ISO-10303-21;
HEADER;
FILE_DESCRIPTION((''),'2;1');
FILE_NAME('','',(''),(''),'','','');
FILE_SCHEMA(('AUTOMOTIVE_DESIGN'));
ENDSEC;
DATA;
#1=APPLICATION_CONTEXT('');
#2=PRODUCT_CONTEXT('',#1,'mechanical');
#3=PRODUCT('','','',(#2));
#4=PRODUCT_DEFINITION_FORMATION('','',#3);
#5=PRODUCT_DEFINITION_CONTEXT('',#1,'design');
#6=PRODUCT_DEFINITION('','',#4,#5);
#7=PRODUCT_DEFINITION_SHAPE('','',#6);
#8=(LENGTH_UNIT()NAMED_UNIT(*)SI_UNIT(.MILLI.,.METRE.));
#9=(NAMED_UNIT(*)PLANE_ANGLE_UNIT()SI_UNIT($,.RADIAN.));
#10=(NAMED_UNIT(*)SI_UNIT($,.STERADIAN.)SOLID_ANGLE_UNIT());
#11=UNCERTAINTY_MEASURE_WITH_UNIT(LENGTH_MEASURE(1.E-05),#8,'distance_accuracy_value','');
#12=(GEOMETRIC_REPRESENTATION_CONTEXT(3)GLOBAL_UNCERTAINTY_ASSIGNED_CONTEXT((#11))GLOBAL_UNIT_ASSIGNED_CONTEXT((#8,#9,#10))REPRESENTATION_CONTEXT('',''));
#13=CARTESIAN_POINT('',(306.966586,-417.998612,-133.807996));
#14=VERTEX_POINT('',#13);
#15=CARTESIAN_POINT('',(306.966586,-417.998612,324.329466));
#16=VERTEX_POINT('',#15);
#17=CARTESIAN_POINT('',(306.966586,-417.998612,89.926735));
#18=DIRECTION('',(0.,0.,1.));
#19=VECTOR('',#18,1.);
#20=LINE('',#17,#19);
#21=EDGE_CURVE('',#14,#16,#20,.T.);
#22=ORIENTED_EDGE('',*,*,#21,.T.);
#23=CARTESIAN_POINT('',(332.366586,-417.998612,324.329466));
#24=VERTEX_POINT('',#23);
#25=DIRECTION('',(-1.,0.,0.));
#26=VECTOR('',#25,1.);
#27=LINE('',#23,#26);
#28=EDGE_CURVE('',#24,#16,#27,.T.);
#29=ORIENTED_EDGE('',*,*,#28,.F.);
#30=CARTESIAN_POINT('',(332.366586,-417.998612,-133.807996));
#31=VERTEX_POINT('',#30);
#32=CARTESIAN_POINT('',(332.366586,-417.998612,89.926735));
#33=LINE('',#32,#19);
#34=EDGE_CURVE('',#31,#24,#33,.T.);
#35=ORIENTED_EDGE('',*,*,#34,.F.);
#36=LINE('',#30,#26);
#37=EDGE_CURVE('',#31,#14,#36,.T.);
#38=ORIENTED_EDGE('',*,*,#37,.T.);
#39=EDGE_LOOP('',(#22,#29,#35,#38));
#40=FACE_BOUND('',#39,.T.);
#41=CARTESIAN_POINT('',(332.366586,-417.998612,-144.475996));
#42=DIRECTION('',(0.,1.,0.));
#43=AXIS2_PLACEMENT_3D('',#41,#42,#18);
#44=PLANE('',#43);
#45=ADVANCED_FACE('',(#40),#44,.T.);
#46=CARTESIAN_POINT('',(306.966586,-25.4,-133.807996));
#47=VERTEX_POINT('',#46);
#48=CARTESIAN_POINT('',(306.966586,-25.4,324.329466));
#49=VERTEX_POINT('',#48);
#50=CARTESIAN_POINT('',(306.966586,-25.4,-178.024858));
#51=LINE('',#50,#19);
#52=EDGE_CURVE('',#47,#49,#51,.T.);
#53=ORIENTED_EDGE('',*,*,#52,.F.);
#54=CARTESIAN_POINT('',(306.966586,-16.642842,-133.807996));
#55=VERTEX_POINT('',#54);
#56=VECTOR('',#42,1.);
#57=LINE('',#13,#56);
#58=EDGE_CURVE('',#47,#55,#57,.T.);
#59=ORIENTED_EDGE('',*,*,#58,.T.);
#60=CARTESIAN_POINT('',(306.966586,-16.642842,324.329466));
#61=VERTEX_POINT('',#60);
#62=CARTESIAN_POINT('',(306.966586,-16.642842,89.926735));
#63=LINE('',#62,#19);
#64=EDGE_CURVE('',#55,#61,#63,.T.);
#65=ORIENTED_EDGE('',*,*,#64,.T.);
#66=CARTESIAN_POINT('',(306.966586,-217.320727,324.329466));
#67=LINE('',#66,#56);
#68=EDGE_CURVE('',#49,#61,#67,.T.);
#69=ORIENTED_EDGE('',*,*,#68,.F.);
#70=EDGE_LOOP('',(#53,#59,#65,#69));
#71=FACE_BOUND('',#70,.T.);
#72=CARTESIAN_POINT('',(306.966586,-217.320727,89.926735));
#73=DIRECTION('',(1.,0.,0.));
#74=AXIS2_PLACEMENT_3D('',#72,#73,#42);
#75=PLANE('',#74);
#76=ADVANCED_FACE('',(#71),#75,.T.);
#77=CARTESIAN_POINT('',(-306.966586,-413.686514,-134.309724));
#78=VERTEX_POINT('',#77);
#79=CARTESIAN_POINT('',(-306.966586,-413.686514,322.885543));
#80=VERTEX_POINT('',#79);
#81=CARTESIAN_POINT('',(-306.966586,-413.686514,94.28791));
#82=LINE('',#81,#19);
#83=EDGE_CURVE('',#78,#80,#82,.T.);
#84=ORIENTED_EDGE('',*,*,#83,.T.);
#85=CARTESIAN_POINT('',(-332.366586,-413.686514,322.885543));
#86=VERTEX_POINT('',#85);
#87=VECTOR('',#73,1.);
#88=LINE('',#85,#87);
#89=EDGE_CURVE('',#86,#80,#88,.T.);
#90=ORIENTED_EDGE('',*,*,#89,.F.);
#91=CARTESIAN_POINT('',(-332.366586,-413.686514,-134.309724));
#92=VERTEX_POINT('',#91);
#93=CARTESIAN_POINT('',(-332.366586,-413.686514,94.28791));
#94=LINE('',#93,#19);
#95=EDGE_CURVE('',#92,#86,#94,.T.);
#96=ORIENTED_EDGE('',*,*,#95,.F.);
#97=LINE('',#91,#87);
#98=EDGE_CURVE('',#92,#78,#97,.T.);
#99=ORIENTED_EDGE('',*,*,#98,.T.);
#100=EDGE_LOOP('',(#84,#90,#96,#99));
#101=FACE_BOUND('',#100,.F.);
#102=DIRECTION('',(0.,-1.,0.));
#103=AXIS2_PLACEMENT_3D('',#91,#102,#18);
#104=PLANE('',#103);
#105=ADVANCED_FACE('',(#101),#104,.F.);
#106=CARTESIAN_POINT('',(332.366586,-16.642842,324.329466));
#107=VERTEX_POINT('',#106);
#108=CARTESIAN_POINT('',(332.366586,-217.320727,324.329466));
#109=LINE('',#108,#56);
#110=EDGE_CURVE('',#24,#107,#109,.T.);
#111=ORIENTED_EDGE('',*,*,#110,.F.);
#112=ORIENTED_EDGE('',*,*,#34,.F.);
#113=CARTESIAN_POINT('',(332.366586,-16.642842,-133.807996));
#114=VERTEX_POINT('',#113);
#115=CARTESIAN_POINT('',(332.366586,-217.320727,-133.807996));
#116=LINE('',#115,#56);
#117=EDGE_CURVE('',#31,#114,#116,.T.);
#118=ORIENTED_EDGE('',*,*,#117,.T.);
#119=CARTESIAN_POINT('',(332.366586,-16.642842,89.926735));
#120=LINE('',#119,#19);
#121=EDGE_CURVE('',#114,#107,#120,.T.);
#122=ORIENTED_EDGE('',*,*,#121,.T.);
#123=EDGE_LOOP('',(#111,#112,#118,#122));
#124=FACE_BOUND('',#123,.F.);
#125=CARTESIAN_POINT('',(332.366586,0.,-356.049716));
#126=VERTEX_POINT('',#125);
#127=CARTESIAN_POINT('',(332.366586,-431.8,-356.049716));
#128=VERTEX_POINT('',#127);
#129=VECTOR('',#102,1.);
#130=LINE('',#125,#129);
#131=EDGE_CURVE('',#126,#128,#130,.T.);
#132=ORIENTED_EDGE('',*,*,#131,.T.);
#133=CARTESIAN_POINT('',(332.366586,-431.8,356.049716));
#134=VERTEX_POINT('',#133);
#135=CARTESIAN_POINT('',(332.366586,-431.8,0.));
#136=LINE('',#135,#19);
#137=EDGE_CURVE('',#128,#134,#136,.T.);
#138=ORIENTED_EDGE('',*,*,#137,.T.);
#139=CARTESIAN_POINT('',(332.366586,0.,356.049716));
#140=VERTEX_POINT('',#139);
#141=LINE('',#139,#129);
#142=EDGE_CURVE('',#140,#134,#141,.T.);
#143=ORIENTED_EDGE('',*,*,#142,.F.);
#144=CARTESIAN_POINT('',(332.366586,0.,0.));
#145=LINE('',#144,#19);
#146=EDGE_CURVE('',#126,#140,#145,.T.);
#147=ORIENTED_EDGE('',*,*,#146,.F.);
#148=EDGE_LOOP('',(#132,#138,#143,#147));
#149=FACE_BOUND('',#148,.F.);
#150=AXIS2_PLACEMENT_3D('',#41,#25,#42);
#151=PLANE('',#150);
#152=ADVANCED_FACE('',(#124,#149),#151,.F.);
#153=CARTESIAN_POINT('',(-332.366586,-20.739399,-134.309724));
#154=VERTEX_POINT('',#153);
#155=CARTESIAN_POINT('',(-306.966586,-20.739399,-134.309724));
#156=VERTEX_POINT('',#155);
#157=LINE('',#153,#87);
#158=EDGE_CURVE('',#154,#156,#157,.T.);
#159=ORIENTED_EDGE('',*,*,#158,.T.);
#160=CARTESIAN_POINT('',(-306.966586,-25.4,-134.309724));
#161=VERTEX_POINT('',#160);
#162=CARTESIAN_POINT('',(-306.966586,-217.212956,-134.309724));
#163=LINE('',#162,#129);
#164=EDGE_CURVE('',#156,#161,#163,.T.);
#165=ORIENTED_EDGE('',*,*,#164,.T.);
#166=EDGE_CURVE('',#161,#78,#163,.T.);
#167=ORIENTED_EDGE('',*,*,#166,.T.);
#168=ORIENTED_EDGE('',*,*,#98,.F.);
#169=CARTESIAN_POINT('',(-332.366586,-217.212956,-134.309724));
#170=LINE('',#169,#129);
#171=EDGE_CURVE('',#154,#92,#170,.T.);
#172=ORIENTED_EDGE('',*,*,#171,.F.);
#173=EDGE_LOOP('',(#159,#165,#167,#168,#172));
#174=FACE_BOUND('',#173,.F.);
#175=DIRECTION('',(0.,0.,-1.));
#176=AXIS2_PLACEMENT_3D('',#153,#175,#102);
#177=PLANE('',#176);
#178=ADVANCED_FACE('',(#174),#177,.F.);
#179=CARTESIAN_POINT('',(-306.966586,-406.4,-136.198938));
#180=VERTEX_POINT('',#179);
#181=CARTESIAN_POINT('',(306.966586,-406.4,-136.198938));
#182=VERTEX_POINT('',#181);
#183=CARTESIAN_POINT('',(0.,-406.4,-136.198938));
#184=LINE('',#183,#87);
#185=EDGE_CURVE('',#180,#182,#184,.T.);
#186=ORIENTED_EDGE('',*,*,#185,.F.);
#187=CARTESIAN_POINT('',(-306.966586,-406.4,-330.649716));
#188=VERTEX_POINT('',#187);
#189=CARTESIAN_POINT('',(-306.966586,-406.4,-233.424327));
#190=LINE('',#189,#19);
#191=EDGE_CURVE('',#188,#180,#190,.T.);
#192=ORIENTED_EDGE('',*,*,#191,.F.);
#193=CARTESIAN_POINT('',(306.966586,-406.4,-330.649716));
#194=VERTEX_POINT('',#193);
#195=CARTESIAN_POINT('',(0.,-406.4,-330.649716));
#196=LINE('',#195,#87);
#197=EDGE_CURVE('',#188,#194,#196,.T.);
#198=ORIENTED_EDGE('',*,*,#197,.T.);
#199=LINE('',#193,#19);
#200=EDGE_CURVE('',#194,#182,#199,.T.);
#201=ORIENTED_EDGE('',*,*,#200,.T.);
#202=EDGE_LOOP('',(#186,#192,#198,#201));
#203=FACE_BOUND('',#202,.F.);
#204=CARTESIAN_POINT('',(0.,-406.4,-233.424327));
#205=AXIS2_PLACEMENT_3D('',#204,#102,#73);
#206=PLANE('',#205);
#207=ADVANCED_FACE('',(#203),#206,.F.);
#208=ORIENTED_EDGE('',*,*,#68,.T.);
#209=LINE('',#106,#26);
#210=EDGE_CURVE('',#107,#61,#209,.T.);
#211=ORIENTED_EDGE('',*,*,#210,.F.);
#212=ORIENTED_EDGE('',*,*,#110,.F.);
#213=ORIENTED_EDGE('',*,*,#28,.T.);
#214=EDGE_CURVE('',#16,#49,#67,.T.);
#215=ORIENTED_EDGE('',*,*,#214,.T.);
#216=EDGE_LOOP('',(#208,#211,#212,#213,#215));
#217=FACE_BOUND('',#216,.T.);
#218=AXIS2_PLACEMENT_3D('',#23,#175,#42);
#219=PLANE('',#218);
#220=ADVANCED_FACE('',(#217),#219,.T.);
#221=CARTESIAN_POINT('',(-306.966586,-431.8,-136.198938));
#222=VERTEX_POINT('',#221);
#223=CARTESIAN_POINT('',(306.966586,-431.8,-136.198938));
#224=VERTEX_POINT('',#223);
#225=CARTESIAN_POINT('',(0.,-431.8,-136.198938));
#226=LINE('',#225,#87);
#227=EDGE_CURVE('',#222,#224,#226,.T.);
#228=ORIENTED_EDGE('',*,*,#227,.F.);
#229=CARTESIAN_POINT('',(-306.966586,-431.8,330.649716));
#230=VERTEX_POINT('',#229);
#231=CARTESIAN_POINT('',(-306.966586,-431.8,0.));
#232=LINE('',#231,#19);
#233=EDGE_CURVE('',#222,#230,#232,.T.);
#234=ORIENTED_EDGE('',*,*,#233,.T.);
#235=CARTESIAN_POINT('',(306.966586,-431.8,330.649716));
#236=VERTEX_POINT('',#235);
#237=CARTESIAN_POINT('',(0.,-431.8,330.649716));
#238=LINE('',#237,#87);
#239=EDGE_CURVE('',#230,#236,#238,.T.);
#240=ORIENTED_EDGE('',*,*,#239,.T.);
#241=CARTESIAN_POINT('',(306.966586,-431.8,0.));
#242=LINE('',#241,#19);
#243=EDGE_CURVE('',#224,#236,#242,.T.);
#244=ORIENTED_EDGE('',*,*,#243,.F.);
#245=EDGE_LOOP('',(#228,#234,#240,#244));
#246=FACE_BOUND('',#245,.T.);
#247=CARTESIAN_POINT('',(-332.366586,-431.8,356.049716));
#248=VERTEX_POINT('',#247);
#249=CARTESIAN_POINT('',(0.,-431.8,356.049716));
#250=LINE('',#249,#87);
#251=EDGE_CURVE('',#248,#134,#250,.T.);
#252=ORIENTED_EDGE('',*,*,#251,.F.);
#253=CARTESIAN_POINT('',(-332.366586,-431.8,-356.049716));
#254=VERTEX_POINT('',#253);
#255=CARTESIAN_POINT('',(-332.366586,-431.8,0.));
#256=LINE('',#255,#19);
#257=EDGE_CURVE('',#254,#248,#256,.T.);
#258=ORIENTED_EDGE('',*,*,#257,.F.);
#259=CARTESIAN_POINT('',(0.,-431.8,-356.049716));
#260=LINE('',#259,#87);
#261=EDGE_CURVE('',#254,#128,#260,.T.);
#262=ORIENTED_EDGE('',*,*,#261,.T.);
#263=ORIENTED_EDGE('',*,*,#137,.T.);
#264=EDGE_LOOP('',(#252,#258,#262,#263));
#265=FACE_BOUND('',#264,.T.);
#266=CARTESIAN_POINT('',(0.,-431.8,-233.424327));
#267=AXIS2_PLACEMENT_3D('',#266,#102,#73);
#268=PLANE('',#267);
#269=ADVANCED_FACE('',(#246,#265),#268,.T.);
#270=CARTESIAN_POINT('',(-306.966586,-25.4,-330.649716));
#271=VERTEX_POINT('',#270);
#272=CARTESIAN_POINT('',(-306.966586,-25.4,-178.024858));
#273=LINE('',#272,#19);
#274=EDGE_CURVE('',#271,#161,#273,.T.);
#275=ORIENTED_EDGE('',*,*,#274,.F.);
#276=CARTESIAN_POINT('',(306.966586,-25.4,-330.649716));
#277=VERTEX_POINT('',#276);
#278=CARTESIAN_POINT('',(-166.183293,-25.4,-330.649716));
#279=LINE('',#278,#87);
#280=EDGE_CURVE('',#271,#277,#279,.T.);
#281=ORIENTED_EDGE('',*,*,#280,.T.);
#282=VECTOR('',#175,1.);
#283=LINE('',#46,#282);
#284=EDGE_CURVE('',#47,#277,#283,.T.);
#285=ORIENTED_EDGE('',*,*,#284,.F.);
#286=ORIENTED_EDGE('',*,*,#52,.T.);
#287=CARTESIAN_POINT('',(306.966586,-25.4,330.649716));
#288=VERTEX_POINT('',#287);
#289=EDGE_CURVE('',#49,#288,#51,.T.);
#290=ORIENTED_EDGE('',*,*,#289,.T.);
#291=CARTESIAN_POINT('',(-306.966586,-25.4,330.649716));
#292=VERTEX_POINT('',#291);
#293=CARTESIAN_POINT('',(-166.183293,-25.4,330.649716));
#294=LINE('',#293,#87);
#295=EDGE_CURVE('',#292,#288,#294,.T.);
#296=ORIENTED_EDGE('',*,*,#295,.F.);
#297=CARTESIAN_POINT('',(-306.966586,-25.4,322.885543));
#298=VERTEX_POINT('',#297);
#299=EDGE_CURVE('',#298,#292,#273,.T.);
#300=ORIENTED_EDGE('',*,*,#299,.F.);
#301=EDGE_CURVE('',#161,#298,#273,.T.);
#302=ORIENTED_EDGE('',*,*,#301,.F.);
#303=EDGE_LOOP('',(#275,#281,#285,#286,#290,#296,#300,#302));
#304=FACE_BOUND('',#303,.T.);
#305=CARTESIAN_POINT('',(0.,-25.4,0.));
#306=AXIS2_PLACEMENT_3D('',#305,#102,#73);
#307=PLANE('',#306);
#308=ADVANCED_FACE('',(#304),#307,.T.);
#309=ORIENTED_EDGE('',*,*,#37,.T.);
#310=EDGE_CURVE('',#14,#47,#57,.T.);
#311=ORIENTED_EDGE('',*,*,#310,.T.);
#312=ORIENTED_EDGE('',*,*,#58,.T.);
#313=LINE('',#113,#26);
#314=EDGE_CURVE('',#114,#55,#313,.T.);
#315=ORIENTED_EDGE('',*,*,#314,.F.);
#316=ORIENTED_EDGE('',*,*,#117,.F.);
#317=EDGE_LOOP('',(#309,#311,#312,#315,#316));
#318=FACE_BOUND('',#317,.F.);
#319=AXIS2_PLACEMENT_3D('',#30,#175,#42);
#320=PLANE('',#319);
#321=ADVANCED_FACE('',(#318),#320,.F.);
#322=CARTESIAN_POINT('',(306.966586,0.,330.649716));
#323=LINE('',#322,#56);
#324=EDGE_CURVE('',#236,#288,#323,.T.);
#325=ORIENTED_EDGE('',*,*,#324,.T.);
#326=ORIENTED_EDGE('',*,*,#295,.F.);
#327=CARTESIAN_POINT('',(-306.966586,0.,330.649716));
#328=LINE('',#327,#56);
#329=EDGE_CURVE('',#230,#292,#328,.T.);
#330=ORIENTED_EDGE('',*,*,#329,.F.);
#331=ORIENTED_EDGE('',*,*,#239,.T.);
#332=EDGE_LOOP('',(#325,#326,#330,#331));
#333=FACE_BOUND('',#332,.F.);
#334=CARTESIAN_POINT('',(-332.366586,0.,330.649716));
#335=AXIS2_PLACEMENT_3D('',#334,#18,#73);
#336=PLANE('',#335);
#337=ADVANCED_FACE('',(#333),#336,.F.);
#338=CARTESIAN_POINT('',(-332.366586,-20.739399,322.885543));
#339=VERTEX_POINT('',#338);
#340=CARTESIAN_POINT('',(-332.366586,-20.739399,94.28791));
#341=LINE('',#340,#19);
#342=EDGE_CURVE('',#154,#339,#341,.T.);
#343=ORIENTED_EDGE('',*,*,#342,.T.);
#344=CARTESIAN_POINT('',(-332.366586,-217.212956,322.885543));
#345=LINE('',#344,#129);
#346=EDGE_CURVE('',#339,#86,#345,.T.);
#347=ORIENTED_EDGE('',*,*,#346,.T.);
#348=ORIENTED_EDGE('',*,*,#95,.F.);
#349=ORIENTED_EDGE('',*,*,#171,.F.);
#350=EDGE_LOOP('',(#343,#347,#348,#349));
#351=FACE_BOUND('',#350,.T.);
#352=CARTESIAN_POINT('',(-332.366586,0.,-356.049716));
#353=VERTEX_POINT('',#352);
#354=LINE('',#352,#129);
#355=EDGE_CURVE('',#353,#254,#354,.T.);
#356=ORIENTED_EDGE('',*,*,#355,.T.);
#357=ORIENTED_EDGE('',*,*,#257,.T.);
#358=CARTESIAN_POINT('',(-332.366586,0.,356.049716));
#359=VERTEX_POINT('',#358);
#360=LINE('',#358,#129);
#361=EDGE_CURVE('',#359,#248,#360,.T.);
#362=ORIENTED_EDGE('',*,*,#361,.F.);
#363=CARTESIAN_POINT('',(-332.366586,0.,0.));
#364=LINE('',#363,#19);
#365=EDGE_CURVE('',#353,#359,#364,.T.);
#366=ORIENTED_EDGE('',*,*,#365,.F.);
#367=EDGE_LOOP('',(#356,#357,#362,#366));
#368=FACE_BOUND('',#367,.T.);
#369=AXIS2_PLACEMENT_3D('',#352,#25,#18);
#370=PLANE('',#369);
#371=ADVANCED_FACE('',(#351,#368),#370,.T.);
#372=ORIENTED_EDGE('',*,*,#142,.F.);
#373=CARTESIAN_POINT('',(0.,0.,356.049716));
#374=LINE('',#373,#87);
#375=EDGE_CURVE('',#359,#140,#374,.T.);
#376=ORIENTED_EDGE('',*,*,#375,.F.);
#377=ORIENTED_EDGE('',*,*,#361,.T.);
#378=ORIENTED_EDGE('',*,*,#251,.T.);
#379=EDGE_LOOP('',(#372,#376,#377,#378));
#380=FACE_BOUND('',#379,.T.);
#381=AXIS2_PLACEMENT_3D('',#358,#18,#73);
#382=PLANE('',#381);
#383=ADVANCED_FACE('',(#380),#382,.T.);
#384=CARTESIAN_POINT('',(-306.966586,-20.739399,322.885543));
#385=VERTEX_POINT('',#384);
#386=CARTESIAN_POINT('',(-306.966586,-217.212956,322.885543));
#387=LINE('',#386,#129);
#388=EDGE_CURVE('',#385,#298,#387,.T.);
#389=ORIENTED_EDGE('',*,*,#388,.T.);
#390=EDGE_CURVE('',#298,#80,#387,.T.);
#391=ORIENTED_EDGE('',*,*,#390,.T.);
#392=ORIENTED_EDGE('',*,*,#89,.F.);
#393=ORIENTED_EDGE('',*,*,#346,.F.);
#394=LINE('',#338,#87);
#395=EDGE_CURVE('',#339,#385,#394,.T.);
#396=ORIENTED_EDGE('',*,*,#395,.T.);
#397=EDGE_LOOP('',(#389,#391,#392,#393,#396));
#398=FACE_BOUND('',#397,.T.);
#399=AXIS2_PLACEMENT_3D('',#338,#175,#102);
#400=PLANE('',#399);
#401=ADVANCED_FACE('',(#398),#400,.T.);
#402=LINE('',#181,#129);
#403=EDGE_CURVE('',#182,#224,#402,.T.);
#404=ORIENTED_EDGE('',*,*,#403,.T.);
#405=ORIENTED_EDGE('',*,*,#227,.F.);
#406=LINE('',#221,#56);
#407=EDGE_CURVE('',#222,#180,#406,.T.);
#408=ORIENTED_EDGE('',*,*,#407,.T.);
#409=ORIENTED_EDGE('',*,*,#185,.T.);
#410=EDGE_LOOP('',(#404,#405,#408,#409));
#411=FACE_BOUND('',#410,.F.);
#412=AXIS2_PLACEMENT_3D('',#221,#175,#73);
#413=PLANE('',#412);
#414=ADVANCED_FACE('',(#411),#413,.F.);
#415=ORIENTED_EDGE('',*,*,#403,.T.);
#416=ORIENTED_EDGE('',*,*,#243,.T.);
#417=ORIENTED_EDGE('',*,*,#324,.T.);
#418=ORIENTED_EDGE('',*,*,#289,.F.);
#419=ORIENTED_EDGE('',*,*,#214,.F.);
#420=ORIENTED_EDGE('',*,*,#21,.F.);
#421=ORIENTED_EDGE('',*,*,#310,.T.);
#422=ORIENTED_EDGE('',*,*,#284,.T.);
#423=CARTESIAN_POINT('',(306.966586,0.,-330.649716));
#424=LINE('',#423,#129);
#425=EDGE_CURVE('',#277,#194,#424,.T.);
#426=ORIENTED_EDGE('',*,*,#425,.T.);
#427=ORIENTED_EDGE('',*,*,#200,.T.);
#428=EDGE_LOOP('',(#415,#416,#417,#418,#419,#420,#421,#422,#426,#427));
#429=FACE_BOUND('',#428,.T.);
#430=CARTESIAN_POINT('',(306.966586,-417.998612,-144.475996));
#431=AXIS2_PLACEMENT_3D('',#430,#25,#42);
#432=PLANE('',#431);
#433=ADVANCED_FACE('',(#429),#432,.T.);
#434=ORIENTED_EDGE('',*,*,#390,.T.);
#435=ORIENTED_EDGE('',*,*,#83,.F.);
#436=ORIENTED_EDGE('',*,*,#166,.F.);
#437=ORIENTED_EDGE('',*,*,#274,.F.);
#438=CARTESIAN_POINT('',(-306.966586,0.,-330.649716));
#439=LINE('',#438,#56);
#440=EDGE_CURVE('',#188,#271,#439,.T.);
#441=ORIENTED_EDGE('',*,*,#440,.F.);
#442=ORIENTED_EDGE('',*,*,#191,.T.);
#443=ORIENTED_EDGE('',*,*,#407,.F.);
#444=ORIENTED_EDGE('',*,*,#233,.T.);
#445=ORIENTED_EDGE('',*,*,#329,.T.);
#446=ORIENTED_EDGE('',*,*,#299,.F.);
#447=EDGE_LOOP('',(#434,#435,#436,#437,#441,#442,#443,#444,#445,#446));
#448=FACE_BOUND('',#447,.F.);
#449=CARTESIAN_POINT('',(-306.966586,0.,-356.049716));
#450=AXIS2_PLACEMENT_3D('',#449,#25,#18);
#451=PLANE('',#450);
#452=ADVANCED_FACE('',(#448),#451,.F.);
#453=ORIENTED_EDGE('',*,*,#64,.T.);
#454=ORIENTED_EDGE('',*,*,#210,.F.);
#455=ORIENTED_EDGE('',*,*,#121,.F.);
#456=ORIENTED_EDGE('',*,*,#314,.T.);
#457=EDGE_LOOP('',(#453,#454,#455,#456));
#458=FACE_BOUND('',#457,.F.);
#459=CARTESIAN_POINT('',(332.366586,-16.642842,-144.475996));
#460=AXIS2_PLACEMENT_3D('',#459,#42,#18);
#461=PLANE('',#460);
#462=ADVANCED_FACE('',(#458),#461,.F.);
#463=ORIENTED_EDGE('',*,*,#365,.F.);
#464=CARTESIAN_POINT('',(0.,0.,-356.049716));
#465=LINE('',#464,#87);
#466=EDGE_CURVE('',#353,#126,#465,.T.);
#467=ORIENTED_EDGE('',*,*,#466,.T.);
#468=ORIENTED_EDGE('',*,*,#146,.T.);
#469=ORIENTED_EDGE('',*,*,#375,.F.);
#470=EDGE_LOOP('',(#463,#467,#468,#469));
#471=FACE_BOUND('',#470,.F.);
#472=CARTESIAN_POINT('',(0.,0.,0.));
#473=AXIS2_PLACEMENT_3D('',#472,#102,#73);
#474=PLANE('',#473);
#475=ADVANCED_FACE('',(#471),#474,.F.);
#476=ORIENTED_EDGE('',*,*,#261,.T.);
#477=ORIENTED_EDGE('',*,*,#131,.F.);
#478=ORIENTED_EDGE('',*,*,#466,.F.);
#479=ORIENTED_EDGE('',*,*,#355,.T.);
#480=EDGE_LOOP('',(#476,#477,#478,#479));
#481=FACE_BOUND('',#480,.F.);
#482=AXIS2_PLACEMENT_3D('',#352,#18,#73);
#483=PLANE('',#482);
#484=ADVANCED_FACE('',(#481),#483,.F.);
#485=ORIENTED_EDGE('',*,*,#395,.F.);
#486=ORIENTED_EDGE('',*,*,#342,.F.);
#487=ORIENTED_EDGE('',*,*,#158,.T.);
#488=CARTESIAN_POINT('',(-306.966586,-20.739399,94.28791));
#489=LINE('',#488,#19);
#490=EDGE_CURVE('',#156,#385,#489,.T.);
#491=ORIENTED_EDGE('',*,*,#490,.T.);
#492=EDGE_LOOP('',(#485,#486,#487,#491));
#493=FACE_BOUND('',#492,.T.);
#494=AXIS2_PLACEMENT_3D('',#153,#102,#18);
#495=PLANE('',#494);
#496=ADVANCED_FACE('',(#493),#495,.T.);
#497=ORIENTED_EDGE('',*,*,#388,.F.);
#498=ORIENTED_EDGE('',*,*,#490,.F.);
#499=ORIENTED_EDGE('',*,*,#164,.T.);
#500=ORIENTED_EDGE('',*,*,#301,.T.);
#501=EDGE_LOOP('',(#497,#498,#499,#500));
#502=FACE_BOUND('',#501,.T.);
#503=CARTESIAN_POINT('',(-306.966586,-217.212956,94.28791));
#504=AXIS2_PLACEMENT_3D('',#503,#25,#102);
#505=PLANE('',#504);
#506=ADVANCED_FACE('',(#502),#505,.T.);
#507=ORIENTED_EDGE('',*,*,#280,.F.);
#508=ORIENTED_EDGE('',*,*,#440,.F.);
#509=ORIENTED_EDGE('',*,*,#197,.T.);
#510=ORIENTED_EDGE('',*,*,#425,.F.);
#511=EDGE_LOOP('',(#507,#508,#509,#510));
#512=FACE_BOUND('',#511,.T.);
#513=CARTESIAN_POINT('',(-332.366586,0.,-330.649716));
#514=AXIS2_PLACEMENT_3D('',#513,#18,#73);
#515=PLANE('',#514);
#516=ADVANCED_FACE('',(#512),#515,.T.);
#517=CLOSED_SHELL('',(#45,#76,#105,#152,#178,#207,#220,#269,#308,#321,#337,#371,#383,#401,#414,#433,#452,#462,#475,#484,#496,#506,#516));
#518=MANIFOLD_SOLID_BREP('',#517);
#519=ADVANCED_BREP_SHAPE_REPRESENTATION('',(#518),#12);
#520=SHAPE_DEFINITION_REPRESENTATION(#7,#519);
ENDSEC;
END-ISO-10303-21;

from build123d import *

# Parameters (mm, degrees)
F0_W     = 664.733171463
F0_H     = 712.0994329453
F1_DEPTH = 431.8
F2_T     = -25.4
F3_W     = 613.933171463
F3_H     = 194.4507785797
F4_DEPTH = 25.4
F5_W     = 401.3557694852
F5_H     = 468.805462122
F6_DEPTH = 25.4
F7_W     = 392.9471150041
F7_H     = 457.1952670813
F8_DEPTH = 25.4
F9_DEPTH = 10.668


with BuildPart() as f1:
    # F0 (on Front) → F1 (new body)
    with BuildSketch(Plane.XZ):
        Rectangle(F0_W, F0_H)
    extrude(amount=F1_DEPTH)

    # F2
    f2_openings = [f1.faces().sort_by_distance(p)[0] for p in [
        (0, -431.8, 0),
    ]]
    offset(amount=F2_T, openings=f2_openings)

    # F3 (on face) → F4 (join)
    with BuildSketch(Plane.XZ.offset(431.8)):
        with Locations((0, -233.4243271828)):
            Rectangle(F3_W, F3_H)
    extrude(amount=-F4_DEPTH)

    # F5 (on face) → F6 (cut)
    with BuildSketch(Plane.YZ.offset(332.3665857315)):
        with Locations((-217.3207271844, 89.9267345667)):
            Rectangle(F5_W, F5_H)
    extrude(amount=-F6_DEPTH, mode=Mode.SUBTRACT)

    # F7 (on face) → F8 (cut)
    with BuildSketch(Plane(origin=(-332.3665857315, 0, 0), x_dir=(0, -1, 0), z_dir=(-1, 0, 0))):
        with Locations((217.2129563987, 94.2879095674)):
            Rectangle(F7_W, F7_H)
    extrude(amount=-F8_DEPTH, mode=Mode.SUBTRACT)

    # F9 (add): a face of the model
    f9_faces = [f1.faces().sort_by_distance(p)[0] for p in [
        (319.6665857315, -217.3207271844, -144.4759964943),
    ]]
    extrude(f9_faces, amount=F9_DEPTH)


solid = f1.part
